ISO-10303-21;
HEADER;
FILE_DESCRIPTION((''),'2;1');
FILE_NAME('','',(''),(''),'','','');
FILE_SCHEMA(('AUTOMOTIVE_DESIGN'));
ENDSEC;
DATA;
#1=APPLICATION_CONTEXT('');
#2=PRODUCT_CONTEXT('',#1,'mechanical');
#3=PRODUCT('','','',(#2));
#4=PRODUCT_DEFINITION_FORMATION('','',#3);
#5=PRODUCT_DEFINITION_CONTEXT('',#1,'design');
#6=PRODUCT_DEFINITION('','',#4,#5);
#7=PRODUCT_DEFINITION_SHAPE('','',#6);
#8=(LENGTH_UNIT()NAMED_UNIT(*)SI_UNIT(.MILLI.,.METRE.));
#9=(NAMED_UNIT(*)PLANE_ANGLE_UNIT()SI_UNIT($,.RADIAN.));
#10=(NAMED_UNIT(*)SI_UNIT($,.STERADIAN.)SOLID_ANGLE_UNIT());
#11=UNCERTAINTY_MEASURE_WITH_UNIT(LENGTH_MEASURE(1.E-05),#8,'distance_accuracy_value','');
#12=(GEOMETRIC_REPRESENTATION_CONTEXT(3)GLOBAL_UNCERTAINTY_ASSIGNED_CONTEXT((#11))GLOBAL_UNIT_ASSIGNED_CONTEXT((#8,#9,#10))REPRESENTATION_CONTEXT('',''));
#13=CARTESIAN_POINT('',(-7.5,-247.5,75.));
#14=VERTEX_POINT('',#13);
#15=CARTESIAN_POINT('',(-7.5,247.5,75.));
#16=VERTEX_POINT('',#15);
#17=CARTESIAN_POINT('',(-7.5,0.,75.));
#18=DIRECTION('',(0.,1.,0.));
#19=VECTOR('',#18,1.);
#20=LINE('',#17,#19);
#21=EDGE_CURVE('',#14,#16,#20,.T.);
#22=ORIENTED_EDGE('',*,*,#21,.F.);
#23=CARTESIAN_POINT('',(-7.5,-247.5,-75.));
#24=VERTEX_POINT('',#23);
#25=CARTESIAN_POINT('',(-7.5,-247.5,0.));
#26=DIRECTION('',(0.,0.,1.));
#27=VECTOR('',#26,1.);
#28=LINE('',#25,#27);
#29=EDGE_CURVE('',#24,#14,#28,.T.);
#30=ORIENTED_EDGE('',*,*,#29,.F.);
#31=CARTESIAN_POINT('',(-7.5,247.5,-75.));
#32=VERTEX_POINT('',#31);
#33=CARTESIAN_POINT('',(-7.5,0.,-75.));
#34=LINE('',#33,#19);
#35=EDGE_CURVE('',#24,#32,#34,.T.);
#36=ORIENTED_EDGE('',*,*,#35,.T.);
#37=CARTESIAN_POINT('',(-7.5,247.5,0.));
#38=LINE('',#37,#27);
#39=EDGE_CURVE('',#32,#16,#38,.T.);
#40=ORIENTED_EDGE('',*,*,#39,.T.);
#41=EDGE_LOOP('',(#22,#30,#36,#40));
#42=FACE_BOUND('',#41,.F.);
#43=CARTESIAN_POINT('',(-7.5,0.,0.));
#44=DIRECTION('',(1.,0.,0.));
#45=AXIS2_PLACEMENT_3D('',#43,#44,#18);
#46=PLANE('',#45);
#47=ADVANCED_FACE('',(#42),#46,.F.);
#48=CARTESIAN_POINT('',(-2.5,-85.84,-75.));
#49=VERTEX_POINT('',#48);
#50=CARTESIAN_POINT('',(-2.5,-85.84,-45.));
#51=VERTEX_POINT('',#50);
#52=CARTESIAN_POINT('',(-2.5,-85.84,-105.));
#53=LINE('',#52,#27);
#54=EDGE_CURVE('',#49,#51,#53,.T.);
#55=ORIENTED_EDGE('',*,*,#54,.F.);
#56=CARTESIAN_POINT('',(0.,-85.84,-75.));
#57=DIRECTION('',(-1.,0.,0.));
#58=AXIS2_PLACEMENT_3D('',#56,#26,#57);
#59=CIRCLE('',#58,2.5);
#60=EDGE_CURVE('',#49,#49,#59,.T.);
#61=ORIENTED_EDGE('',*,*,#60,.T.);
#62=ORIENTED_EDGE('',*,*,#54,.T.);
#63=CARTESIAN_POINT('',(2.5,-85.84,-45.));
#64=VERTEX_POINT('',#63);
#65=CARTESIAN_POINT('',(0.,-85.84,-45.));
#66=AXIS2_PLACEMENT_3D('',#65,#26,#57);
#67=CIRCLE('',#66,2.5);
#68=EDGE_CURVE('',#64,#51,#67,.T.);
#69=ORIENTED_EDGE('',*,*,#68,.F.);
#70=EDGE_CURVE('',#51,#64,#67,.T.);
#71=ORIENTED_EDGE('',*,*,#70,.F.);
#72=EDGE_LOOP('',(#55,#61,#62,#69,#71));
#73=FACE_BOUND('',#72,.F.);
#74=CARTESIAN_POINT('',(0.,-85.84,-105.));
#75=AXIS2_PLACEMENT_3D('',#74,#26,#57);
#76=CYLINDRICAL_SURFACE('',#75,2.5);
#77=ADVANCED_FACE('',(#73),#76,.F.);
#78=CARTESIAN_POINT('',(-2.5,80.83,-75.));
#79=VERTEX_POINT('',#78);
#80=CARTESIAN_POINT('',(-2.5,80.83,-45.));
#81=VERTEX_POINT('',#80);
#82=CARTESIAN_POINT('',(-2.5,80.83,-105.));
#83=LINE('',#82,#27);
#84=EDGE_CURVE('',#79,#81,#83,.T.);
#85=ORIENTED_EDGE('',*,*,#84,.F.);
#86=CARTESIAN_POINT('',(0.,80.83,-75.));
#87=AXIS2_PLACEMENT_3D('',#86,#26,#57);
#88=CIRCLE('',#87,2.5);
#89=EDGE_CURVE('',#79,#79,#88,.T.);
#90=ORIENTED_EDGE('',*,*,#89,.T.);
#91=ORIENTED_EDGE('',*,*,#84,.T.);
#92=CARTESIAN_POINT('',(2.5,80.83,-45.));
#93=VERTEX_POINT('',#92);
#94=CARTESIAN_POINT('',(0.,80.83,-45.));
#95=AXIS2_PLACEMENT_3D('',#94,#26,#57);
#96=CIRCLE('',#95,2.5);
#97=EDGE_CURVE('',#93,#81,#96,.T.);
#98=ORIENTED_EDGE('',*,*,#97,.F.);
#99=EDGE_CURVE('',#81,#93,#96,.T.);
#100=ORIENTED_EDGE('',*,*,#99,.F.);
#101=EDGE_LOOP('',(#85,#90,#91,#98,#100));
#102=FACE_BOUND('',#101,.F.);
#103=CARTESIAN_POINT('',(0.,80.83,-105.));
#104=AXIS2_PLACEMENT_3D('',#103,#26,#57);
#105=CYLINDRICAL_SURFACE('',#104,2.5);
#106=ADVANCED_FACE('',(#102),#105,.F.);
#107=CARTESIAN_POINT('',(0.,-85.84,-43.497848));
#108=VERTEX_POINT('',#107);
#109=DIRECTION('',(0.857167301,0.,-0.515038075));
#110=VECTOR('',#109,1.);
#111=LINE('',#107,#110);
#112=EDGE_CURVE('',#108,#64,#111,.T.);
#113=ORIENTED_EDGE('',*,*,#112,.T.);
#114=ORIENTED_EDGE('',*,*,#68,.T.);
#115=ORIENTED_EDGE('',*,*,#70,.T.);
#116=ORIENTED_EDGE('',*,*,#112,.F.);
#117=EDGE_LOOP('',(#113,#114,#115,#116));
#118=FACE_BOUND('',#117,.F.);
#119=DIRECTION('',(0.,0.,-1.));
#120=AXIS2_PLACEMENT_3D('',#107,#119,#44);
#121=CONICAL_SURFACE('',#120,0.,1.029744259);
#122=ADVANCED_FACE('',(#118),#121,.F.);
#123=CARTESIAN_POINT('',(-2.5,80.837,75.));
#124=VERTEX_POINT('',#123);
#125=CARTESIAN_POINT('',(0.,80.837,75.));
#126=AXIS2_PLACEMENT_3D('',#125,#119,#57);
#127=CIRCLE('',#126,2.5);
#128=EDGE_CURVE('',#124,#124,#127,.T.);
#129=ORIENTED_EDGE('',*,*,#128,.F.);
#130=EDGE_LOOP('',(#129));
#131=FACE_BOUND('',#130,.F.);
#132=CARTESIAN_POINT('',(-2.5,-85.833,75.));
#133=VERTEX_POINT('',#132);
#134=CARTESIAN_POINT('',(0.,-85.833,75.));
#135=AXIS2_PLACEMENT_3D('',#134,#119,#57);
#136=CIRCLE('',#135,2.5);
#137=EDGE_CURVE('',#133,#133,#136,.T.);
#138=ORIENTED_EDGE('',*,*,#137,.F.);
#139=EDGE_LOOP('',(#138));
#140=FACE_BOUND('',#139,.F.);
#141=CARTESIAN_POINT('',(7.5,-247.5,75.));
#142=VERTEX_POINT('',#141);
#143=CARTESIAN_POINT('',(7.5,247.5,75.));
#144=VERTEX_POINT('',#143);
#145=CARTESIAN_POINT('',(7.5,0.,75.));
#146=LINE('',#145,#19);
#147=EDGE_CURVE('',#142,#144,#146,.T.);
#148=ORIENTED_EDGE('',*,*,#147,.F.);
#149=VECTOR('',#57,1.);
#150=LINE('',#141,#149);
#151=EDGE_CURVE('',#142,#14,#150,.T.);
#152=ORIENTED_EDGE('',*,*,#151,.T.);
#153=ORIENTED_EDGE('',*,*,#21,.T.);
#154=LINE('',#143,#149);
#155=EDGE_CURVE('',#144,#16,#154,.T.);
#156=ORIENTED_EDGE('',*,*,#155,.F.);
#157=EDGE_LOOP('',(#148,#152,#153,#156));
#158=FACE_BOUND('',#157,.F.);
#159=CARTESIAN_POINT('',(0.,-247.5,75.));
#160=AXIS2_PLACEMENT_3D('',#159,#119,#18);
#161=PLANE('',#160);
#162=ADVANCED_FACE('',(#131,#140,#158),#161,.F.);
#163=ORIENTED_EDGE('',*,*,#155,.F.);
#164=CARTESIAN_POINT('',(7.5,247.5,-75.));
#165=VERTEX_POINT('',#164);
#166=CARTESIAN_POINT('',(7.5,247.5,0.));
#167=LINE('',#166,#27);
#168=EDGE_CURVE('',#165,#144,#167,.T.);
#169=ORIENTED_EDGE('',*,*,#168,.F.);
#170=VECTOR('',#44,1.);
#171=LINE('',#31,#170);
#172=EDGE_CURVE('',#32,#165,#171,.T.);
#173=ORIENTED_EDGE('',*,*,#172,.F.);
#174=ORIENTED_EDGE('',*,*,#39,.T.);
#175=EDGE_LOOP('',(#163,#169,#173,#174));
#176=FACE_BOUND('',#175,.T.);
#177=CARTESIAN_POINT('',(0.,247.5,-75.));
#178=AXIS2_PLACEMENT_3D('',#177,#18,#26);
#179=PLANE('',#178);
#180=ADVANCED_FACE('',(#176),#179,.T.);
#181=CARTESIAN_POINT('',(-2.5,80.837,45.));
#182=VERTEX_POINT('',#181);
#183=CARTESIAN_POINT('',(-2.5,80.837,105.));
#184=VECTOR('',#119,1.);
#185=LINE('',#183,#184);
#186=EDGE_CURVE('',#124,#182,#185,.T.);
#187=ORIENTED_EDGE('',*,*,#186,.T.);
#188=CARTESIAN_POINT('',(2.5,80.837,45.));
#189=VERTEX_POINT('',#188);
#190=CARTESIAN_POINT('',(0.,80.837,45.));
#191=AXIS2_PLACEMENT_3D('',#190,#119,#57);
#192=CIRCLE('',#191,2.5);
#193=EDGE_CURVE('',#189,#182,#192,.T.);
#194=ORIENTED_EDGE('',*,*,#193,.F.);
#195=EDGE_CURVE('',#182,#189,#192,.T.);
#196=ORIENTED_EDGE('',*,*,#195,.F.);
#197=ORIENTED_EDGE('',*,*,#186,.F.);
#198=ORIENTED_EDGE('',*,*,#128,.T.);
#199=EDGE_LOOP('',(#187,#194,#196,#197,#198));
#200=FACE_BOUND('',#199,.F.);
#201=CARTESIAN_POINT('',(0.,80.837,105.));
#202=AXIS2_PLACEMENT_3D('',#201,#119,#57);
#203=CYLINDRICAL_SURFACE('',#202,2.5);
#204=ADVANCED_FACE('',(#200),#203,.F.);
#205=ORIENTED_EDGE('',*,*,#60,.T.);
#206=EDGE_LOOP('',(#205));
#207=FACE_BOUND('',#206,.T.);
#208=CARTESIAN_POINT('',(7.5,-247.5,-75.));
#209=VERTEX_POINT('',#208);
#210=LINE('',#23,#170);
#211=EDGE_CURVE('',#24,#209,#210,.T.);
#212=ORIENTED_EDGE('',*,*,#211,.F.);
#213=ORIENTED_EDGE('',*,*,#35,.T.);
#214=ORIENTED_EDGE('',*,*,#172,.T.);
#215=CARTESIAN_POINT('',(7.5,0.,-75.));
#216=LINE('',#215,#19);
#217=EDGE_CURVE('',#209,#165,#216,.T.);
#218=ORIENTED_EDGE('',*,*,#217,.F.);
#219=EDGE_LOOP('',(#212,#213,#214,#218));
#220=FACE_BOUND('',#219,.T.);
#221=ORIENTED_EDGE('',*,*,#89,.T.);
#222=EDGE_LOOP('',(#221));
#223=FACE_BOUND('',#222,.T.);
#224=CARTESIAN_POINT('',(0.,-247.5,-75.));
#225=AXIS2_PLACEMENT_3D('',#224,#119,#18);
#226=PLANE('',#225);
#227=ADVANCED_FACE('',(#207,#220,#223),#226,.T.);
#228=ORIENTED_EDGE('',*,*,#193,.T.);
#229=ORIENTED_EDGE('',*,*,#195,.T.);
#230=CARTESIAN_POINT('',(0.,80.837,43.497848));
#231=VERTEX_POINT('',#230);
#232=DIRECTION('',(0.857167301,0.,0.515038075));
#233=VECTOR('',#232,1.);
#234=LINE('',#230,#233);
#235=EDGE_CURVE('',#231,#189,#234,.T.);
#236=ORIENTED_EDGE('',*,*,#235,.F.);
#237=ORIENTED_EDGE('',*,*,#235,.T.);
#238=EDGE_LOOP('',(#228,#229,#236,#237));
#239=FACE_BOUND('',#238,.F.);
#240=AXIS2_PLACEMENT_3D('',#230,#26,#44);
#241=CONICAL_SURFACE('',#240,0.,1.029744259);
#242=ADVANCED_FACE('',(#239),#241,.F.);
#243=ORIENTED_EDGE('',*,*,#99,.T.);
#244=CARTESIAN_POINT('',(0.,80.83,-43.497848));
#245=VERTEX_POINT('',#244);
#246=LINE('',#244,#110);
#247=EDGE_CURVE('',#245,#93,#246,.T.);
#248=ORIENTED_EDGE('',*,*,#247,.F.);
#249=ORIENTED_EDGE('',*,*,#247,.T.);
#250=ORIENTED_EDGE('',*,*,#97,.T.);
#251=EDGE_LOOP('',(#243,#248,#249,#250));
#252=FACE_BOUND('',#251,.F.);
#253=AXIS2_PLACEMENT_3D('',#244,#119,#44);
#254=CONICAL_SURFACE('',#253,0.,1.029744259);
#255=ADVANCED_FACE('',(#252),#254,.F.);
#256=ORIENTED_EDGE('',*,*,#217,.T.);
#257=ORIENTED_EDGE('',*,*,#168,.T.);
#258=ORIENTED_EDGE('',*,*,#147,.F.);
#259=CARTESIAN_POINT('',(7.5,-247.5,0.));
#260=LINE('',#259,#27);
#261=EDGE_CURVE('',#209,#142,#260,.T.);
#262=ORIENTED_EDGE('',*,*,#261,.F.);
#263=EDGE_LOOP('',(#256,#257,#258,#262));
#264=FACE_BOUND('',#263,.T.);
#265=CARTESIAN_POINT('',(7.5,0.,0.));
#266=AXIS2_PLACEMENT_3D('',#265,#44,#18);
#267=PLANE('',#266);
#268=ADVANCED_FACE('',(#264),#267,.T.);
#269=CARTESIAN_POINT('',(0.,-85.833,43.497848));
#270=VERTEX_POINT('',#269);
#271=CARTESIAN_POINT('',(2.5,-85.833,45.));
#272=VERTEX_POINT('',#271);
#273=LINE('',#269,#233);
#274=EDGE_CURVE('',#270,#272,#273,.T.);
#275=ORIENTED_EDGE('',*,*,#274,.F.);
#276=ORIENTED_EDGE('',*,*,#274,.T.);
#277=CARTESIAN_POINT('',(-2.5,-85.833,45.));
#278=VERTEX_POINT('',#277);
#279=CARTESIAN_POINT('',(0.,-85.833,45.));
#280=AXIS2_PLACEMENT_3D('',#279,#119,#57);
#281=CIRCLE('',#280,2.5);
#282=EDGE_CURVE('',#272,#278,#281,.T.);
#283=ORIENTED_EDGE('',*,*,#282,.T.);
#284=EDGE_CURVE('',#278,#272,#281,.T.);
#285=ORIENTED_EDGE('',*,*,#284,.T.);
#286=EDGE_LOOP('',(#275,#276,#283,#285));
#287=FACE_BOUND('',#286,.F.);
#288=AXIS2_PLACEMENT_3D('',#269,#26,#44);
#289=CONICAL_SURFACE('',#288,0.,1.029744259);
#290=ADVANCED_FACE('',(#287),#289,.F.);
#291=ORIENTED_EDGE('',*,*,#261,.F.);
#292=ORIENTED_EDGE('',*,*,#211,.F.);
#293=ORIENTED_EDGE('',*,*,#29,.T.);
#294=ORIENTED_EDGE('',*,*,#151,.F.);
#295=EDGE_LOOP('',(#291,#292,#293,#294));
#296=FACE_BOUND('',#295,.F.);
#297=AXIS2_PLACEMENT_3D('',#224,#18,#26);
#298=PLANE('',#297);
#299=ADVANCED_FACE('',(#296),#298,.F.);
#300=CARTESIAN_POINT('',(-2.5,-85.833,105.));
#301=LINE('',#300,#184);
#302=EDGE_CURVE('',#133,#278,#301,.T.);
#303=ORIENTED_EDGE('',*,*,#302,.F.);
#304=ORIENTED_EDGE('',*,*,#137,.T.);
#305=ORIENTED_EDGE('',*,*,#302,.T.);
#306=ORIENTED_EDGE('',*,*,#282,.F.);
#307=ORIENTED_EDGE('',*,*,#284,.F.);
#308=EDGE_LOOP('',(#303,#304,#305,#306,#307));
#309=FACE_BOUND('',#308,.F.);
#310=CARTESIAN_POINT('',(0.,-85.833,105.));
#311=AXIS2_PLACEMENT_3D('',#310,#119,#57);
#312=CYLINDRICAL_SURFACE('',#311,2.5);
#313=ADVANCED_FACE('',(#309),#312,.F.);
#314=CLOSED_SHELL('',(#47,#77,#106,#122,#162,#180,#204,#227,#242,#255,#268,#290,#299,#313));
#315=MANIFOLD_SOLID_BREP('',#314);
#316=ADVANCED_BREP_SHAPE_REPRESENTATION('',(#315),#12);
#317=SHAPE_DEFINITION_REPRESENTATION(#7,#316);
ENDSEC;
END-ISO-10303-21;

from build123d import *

# Parameters (mm, degrees)
F0_W           = 495
F0_H           = 150
F1_DEPTH       = 7.5
F4_D           = 5
F4_DEPTH       = 30
F4_TIP         = 1.5021515476
F4_ON_F3_D     = 5
F4_ON_F3_DEPTH = 30
F4_ON_F3_TIP   = 1.5021515476


with BuildPart() as f1:
    # F0 (on Right) → F1 (new body, symmetric)
    with BuildSketch(Plane.YZ):
        Rectangle(F0_W, F0_H)
    extrude(amount=F1_DEPTH, both=True)

    # F4
    with Locations(Plane.XY.offset(75)):
        with Locations((0, 80.837), (0, -85.833)):
            Hole(F4_D / 2, depth=F4_DEPTH)
            with Locations((0, 0, -(F4_DEPTH + F4_TIP / 2))):  # 118° drill point
                Cone(0, F4_D / 2, F4_TIP, mode=Mode.SUBTRACT)

    # F4 on F3
    with Locations(Plane(origin=(0, 0, -75), x_dir=(1, 0, 0), z_dir=(0, 0, -1))):
        with Locations((0, 85.84), (0, -80.83)):
            Hole(F4_ON_F3_D / 2, depth=F4_ON_F3_DEPTH)
            with Locations((0, 0, -(F4_ON_F3_DEPTH + F4_ON_F3_TIP / 2))):  # 118° drill point
                Cone(0, F4_ON_F3_D / 2, F4_ON_F3_TIP, mode=Mode.SUBTRACT)


solid = f1.part
